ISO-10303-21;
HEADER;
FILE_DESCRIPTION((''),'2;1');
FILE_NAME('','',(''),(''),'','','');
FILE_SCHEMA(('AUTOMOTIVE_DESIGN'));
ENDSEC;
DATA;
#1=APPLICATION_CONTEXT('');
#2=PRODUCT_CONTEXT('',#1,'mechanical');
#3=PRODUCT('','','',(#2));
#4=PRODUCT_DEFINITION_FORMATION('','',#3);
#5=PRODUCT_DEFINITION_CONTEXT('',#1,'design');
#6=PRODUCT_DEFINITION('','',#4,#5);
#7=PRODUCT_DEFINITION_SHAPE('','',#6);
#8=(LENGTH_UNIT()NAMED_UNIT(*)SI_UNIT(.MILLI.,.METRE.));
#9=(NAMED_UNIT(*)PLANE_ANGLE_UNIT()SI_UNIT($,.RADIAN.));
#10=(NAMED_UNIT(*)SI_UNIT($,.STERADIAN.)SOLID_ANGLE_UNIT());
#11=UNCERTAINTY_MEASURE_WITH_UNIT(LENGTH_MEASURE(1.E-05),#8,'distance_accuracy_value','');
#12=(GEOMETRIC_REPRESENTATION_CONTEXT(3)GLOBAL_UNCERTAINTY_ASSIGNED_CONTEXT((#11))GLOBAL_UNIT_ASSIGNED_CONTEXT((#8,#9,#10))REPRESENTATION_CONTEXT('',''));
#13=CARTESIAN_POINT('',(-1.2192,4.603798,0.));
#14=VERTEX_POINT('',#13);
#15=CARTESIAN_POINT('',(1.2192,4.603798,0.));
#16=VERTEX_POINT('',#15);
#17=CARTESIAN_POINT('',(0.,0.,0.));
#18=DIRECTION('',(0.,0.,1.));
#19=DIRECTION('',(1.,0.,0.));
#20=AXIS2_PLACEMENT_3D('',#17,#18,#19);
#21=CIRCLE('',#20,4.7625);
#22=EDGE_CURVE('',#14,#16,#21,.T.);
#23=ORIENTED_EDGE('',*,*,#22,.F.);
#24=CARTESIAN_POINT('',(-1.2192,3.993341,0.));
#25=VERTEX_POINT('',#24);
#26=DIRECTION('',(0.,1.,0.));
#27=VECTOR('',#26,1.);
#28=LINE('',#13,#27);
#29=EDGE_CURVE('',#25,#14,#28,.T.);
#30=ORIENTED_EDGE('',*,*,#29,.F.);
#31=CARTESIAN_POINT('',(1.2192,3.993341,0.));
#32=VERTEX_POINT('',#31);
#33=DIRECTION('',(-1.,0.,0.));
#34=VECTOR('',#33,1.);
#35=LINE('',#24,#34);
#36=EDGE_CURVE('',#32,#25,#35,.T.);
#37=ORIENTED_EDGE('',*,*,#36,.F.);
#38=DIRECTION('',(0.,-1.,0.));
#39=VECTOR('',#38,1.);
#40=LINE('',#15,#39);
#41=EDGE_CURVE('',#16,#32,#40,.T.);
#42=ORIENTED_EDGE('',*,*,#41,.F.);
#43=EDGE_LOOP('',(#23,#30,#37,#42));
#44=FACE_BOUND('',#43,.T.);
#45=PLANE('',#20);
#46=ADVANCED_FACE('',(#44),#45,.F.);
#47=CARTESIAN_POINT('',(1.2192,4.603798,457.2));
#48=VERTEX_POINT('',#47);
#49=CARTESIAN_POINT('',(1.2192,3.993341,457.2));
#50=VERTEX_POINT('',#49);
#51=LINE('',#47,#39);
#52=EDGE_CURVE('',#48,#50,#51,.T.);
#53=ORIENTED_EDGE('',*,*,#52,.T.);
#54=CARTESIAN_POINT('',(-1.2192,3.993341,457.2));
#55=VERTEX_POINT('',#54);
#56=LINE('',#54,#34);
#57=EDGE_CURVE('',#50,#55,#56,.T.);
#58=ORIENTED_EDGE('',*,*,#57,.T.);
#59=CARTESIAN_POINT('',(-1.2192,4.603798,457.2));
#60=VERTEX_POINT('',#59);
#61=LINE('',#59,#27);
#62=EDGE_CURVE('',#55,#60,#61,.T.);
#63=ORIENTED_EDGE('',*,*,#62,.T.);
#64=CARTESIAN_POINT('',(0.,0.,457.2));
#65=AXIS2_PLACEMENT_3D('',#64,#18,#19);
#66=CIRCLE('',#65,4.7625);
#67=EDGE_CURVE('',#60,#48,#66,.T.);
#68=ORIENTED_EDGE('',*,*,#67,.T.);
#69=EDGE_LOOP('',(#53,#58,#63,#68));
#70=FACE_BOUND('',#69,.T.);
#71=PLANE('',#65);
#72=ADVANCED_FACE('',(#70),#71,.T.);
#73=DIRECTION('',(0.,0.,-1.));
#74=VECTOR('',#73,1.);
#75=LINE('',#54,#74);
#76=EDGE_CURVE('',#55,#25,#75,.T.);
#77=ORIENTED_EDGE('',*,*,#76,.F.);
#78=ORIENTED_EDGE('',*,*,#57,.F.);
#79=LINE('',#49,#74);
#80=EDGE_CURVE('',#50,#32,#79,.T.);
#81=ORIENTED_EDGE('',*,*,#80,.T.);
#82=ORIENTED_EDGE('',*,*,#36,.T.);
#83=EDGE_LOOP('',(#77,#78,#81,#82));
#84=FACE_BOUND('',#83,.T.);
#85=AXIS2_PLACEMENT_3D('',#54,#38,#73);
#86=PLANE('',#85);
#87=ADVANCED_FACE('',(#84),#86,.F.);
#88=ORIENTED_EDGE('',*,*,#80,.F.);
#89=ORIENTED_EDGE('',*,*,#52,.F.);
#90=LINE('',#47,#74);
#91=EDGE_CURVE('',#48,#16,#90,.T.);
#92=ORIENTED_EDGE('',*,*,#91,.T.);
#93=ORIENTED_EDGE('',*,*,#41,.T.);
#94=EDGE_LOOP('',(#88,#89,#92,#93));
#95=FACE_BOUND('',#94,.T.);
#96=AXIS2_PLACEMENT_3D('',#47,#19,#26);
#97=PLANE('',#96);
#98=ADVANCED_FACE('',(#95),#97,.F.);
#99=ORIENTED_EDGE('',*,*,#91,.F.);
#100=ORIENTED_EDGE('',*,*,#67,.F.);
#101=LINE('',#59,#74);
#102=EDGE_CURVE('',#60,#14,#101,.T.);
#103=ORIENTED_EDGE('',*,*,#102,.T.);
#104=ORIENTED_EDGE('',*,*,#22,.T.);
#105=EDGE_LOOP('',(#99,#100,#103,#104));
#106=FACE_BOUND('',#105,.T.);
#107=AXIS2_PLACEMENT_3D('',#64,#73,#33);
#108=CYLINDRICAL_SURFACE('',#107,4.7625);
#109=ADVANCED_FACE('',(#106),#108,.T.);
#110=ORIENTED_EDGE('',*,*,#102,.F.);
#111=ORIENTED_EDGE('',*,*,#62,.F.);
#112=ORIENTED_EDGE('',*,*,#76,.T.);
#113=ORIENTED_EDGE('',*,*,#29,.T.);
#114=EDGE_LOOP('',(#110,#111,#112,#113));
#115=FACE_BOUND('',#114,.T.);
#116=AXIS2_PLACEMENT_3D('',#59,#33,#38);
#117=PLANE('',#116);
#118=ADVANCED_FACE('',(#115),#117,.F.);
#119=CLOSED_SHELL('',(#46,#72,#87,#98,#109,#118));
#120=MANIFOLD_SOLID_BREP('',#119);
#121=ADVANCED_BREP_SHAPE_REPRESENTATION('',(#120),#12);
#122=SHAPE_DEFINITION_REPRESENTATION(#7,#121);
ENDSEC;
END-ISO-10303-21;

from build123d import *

# Parameters (mm, degrees)
BOSS_EXTRUDE1_DEPTH = 457.2


with BuildPart() as part:
    # Sketch1 → Boss-Extrude1 (new body)
    with BuildSketch(Plane.XY):
        with BuildLine():
            Line((-1.2192, 4.603798172), (-1.2192, 3.993341372))
            Line((-1.2192, 3.993341372), (1.2192, 3.993341372))
            Line((1.2192, 3.993341372), (1.2192, 4.603798172))
            ThreePointArc((1.2192, 4.603798172), (0, -4.7625), (-1.2192, 4.603798172))
        make_face()
    extrude(amount=BOSS_EXTRUDE1_DEPTH)


solid = part.part
